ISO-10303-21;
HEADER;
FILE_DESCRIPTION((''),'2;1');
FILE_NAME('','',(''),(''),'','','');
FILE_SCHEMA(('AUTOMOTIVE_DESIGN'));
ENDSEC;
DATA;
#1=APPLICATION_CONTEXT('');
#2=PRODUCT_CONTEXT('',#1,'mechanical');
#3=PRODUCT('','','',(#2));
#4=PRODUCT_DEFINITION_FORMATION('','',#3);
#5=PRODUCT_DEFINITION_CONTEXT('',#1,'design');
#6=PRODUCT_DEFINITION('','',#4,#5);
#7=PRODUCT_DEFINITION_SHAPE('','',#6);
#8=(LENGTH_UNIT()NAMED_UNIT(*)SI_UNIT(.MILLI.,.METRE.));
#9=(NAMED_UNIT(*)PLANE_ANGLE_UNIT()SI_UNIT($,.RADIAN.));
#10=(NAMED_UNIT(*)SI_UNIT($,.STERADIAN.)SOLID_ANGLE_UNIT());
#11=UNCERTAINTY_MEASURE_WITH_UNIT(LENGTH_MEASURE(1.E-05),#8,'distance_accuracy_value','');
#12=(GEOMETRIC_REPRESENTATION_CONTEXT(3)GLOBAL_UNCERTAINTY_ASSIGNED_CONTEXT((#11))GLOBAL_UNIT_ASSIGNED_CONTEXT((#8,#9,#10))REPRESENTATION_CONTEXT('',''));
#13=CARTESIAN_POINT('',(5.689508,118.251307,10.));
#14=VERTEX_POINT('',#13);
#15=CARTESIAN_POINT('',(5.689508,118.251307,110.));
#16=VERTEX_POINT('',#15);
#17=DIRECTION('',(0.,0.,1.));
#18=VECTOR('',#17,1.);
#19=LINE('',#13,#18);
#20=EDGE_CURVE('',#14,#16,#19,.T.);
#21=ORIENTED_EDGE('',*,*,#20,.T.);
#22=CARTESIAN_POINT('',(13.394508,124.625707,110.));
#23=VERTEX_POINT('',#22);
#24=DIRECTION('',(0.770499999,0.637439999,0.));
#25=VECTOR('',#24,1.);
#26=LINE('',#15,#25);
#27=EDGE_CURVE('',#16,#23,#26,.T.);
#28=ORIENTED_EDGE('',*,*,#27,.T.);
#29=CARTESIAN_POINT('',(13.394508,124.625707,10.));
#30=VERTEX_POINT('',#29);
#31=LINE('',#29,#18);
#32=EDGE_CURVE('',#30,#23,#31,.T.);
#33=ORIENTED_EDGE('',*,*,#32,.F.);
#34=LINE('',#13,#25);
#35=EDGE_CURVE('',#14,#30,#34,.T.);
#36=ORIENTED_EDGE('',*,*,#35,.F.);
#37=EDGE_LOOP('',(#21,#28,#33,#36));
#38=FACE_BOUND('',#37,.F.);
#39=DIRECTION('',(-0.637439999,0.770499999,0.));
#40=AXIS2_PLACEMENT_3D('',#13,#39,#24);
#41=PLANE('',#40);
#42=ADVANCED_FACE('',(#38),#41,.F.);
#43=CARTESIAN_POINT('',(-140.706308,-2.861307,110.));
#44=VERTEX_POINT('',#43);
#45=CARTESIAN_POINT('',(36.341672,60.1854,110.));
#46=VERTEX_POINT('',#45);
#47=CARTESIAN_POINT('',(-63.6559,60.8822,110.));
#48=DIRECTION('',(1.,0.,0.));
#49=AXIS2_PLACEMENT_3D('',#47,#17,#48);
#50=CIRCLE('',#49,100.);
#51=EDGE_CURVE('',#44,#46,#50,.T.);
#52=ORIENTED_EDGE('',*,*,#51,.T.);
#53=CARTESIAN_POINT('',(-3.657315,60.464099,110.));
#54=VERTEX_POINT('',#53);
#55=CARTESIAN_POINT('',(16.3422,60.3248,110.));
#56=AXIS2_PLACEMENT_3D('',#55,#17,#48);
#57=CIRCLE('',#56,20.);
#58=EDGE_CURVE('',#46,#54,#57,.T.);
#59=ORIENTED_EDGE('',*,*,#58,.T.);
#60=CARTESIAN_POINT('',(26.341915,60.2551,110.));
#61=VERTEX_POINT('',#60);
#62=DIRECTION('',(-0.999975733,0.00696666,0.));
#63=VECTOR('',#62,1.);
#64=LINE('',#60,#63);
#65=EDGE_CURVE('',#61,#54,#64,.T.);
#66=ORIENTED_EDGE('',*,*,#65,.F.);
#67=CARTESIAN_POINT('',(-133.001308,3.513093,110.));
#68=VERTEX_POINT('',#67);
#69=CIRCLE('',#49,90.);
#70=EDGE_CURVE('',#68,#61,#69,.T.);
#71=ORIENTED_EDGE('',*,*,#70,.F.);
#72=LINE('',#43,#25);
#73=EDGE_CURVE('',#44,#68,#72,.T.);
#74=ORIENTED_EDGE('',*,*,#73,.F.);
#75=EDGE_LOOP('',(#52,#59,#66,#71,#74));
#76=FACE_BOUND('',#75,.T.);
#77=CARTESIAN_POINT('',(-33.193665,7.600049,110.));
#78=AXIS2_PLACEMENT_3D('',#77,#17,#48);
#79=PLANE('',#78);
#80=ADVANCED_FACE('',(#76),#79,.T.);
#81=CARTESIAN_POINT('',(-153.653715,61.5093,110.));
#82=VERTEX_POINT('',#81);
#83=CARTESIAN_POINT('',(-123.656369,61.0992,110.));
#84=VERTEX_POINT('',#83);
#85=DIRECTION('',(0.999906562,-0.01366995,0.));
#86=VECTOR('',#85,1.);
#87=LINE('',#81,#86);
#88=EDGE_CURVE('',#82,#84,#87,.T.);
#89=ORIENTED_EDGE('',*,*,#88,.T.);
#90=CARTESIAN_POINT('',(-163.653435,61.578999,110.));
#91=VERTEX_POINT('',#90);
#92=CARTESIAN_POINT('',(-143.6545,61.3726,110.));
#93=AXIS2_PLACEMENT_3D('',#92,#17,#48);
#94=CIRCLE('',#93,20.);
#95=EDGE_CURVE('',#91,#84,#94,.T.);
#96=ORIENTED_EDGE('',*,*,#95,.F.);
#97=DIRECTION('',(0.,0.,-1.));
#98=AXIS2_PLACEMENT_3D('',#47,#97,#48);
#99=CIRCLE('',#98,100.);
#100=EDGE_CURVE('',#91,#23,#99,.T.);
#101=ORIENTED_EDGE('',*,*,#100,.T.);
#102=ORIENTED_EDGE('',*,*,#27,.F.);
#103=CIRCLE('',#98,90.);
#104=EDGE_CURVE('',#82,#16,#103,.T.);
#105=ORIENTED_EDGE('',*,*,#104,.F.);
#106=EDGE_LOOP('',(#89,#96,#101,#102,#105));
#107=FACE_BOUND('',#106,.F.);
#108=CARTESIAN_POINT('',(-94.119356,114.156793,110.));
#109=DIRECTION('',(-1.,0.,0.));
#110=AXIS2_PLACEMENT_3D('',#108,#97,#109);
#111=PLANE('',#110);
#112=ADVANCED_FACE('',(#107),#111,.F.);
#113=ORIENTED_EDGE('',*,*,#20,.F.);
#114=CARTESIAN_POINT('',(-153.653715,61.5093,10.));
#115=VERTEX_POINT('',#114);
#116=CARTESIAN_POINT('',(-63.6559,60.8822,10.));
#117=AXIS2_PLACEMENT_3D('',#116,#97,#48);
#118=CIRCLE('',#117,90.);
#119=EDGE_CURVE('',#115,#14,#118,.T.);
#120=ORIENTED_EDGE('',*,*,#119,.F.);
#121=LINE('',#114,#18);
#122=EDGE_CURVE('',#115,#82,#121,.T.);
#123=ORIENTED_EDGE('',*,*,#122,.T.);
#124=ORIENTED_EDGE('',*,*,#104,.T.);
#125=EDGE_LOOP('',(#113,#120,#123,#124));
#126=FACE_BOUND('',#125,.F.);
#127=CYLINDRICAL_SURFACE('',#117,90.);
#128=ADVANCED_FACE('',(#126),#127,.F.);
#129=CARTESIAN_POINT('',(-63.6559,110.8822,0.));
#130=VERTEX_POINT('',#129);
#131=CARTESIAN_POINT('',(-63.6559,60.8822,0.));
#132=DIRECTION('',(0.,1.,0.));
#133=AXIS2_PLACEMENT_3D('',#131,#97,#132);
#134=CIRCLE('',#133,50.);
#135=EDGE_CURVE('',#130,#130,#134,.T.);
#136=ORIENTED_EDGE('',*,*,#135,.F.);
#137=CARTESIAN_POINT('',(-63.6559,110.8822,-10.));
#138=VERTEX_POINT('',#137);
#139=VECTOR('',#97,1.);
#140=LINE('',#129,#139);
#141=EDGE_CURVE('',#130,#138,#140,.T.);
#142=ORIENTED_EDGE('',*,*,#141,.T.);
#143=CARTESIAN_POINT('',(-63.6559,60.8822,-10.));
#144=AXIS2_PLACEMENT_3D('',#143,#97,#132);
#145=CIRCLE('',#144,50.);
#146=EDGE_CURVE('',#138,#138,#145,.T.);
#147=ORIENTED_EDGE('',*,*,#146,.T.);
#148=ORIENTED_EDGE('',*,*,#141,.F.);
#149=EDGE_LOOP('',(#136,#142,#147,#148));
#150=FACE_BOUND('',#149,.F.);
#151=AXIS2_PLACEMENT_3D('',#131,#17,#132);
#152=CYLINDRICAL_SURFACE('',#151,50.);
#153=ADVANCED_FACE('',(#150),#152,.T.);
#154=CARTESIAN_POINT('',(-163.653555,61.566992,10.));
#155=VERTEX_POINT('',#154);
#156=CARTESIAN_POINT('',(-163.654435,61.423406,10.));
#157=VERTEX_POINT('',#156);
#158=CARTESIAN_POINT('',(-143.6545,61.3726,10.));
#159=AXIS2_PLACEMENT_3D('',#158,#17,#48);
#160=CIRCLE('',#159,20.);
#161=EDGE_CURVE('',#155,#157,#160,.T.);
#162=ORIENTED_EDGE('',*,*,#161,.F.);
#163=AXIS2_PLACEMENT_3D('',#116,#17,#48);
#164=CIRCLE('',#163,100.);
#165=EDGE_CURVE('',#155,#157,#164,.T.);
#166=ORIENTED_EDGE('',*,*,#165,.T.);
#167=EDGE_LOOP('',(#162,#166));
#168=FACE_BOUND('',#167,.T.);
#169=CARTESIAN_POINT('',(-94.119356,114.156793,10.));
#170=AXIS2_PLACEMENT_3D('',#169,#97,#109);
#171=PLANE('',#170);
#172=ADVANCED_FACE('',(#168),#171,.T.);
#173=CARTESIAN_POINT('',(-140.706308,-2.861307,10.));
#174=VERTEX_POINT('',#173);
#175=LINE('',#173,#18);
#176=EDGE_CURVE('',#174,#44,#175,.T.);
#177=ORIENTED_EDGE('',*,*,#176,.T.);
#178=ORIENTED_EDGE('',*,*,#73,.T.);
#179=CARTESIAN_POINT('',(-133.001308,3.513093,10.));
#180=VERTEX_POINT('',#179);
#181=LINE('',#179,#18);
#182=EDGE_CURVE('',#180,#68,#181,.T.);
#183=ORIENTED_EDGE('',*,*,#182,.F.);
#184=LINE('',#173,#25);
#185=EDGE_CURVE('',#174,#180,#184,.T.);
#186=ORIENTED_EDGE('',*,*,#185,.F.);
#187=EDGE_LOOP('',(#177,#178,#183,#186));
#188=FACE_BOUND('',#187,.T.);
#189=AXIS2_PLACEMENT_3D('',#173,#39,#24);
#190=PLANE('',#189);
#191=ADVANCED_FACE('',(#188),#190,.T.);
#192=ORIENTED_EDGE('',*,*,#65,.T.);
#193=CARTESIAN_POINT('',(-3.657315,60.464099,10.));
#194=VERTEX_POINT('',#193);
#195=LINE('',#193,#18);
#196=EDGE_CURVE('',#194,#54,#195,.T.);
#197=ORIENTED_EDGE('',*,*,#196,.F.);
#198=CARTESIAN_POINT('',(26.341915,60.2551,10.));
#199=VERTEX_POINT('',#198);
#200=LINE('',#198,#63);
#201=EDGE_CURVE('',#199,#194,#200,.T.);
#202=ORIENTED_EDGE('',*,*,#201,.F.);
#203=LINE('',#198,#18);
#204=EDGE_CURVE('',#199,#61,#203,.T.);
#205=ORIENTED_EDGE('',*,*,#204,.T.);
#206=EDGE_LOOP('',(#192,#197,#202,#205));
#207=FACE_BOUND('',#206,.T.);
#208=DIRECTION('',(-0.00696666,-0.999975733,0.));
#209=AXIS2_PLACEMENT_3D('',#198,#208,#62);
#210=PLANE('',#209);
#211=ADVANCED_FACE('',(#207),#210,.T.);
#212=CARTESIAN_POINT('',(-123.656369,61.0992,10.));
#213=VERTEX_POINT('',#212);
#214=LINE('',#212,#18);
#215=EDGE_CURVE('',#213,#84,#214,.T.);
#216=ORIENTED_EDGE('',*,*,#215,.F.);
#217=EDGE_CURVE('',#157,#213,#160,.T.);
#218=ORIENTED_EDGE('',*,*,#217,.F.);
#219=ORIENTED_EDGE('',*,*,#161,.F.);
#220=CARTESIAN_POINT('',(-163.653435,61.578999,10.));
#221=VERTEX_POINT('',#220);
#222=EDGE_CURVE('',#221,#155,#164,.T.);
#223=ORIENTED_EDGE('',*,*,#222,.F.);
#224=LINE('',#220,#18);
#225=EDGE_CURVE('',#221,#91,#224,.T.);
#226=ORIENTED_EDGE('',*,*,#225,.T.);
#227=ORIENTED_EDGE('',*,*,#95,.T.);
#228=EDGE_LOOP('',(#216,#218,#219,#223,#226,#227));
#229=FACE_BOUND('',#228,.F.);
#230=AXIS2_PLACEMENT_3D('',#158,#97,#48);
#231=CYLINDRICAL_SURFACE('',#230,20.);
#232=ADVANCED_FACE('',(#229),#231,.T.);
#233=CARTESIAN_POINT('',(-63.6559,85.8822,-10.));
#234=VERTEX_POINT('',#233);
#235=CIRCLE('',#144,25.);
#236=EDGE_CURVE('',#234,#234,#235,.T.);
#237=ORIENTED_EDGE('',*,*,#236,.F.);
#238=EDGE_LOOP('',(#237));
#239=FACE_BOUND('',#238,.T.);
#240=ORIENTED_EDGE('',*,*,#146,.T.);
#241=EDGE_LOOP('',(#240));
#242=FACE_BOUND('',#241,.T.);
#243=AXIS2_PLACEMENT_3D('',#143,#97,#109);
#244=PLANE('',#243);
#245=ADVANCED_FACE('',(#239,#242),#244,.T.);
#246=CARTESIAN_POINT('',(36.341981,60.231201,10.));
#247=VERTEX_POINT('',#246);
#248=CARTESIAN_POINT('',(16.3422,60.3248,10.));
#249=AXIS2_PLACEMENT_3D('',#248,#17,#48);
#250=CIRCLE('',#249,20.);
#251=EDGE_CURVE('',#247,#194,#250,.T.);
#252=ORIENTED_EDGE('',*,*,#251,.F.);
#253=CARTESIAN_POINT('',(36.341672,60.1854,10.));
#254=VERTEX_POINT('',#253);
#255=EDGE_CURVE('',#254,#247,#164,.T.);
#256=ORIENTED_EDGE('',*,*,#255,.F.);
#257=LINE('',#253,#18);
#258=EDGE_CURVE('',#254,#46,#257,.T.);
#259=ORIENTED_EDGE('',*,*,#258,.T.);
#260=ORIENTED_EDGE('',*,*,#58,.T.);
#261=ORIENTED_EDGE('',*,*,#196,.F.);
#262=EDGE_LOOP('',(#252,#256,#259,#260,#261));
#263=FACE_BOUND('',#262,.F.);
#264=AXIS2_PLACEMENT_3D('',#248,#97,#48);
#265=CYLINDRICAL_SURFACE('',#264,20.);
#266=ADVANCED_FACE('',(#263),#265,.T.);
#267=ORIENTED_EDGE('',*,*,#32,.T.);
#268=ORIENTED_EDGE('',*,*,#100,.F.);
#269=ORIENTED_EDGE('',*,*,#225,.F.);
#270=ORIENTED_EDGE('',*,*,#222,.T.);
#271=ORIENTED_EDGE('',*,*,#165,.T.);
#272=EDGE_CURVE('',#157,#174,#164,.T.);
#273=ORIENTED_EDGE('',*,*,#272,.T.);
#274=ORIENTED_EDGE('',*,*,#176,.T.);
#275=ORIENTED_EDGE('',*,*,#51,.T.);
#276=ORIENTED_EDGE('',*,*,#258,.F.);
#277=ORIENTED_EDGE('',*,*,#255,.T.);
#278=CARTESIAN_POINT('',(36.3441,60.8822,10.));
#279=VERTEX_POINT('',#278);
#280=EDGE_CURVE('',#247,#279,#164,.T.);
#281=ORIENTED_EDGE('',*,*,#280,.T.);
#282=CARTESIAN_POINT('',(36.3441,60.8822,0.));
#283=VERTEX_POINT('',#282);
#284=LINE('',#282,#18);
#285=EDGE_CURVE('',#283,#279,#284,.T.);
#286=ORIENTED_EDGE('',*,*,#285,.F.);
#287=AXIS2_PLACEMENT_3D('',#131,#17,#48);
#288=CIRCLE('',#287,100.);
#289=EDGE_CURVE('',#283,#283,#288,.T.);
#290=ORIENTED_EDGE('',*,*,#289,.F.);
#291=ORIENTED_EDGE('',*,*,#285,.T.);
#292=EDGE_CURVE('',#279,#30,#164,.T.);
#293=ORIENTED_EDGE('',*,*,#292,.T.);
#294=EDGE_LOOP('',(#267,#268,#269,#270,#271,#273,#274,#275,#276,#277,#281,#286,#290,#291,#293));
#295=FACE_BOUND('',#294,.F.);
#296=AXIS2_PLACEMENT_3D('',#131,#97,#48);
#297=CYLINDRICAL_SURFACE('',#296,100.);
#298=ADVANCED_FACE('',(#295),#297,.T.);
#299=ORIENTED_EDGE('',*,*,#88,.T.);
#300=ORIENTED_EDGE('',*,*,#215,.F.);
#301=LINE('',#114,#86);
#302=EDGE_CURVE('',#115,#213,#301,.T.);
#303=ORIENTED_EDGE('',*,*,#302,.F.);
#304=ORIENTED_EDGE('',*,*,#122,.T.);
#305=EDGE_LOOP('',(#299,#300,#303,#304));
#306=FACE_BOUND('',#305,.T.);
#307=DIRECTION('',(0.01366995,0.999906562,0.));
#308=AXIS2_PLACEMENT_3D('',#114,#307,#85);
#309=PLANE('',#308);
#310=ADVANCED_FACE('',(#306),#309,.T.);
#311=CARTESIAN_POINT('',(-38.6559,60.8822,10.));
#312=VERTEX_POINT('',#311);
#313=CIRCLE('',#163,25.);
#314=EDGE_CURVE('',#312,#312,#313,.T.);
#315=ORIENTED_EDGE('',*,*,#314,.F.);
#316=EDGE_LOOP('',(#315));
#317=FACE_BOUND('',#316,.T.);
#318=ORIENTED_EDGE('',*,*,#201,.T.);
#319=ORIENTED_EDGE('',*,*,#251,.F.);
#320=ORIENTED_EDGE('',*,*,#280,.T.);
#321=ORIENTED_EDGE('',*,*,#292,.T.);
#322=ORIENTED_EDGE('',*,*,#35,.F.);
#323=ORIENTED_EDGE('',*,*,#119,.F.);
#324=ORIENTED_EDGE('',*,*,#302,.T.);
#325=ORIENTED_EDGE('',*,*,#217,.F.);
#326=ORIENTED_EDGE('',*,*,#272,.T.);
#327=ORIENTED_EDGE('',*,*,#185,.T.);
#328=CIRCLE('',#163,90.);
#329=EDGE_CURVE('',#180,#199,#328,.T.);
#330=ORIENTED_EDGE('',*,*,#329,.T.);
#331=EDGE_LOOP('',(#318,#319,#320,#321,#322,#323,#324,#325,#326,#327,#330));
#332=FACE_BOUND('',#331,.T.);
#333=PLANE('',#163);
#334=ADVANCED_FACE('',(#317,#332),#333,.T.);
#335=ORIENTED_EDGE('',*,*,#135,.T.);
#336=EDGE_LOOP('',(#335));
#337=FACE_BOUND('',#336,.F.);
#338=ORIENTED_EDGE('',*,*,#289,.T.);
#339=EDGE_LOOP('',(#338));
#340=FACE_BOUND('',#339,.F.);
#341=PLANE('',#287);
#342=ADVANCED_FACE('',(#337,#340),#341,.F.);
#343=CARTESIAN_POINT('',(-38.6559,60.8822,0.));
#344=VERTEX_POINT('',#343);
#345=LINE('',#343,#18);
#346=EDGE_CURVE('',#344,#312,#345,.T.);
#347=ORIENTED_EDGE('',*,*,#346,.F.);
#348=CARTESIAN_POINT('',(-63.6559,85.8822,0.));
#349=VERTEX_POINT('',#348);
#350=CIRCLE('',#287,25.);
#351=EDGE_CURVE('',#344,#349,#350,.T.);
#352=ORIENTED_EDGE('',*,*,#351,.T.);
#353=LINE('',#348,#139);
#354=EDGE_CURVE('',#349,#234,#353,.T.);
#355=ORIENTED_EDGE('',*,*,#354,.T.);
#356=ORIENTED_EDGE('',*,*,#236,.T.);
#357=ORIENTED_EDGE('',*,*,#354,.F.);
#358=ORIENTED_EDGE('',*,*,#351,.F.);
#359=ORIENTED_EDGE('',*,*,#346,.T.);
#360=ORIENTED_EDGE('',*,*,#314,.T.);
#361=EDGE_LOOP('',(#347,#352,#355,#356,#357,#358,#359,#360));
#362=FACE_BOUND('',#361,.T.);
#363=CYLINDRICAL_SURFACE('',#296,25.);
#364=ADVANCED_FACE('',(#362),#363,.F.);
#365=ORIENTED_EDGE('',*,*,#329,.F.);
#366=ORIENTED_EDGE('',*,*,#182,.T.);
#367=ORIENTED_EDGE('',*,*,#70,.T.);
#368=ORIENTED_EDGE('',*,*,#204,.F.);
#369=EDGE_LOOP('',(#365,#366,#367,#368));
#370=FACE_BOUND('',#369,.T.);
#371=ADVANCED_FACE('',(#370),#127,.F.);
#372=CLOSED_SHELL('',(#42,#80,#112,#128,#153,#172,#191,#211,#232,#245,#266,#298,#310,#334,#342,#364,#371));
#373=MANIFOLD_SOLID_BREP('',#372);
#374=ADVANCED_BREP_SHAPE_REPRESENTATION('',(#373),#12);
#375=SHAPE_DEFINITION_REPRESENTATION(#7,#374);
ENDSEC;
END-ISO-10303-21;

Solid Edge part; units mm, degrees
sketch "Sketch1" plane through (0, 0, 0) normal (0, 0, 1) x (1, 0, 0)
  circle A0 centre (-63.6559, 60.8822) radius 25
  circle A1 centre (-63.6559, 60.8822) radius 100
  dimension "D1" = 200
  dimension "D2" = 50
extrude "Protrusion1" add sketch "Sketch1" along normal blind 10
sketch "Sketch2" plane through (-63.6559, 60.8822, 10) normal (0, 0, 1) x (1, 0, 0)
  line L0 (-89.9978, 0.6271) -> (-60.0005, 0.217)
  arc A0 (-99.9976, 0.6968) -> (-60.0005, 0.217) centre (-79.9986, 0.4904) ccw
  arc A1 (-99.9976, 0.6968) -> (77.0504, 63.7435) centre (0, 0) cw
  line L1 (69.3454, 57.3691) -> (77.0504, 63.7435)
  arc A2 (-89.9978, 0.6271) -> (69.3454, 57.3691) centre (0, 0) cw
  arc A3 (-77.0504, -63.7435) -> (99.9976, -0.6968) centre (0, 0) ccw
  arc A4 (99.9976, -0.6968) -> (59.9985, -0.4181) centre (79.9981, -0.5574) ccw
  line L2 (89.9978, -0.6271) -> (59.9985, -0.4181)
  arc A5 (-69.3454, -57.3691) -> (89.9978, -0.6271) centre (0, 0) ccw
  line L3 (-77.0504, -63.7435) -> (-69.3454, -57.3691)
  dimension "D1" = 90
  dimension "D2" = 100
  dimension "D3" = 90
  dimension "D4" = 100
  dimension "D5" = 20
  dimension "D6" = 20
extrude "ExtrudedProtrusion_2" add sketch "Sketch2" along normal blind 100
sketch "Sketch3" plane through (-63.6559, 60.8822, 0) normal (0, 0, -1) x (0, 1, 0)
  circle A0 centre (0, 0) radius 25
  circle A1 centre (0, 0) radius 50
extrude "ExtrudedProtrusion_3" add sketch "Sketch3" along normal blind 10
